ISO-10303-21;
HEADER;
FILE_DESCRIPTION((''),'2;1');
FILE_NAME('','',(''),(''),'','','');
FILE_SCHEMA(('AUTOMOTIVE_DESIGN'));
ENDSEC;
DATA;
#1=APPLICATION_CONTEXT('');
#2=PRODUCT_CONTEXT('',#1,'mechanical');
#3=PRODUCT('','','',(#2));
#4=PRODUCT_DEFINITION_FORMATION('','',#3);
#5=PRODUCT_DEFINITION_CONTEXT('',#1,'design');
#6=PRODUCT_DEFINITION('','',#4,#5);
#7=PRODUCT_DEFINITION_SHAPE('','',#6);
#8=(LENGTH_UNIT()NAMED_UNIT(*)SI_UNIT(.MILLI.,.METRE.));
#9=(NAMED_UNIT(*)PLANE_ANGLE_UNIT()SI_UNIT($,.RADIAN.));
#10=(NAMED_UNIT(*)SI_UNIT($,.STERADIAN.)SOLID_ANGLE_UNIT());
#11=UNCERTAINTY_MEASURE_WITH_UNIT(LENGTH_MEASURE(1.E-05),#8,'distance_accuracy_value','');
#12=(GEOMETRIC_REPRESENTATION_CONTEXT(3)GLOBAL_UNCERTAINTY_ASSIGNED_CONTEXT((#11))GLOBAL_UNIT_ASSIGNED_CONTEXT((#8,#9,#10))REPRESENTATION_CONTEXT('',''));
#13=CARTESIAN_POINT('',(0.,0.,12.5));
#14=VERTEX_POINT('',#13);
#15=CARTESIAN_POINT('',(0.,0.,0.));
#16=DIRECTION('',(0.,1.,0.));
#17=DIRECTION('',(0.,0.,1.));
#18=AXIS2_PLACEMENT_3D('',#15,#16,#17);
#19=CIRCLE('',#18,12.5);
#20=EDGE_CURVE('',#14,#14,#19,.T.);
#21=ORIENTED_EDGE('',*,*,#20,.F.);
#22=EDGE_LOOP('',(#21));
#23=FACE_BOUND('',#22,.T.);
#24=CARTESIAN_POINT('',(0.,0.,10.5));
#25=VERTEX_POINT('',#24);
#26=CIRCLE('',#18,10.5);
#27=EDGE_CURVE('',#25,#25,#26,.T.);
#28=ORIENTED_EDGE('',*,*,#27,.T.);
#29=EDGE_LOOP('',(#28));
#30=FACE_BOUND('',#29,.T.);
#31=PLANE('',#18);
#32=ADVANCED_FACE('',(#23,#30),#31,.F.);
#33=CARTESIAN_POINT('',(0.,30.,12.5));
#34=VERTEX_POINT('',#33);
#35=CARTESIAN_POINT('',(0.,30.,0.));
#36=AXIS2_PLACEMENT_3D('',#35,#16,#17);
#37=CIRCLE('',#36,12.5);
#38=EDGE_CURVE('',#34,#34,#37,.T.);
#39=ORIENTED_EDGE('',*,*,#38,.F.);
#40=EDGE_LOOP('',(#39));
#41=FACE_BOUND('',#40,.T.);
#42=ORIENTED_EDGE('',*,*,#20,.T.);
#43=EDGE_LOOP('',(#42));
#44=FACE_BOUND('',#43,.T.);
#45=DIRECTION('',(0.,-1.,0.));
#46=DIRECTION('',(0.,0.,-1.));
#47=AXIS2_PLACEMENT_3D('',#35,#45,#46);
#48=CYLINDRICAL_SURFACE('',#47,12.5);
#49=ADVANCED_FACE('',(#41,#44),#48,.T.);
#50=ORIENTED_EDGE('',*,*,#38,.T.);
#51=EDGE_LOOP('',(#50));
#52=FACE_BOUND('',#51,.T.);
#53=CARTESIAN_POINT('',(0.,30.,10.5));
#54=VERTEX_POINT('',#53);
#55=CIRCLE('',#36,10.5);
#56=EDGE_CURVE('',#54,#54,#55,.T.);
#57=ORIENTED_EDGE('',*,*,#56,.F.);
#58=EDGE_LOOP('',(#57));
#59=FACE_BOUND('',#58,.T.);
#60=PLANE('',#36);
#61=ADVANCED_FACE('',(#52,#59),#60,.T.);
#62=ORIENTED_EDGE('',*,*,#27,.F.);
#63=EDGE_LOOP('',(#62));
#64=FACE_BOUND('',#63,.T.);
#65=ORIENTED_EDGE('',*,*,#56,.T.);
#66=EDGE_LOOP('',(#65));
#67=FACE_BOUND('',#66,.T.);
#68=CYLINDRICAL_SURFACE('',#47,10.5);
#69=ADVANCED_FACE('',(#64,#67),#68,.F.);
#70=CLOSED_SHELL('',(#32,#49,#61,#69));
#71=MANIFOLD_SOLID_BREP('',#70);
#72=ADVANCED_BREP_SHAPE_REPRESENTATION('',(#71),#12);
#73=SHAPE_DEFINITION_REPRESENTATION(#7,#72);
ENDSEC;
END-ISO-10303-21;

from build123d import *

# Parameters (mm, degrees)
SKETCH1_R           = 12.5
SKETCH1_R_2         = 10.5
BOSS_EXTRUDE1_DEPTH = 30


with BuildPart() as part:
    # Sketch1 → Boss-Extrude1 (new body)
    with BuildSketch(Plane(origin=(0, 0, 0), x_dir=(1, 0, 0), z_dir=(0, 1, 0))):
        Circle(SKETCH1_R)
        Circle(SKETCH1_R_2, mode=Mode.SUBTRACT)
    extrude(amount=BOSS_EXTRUDE1_DEPTH)


solid = part.part
